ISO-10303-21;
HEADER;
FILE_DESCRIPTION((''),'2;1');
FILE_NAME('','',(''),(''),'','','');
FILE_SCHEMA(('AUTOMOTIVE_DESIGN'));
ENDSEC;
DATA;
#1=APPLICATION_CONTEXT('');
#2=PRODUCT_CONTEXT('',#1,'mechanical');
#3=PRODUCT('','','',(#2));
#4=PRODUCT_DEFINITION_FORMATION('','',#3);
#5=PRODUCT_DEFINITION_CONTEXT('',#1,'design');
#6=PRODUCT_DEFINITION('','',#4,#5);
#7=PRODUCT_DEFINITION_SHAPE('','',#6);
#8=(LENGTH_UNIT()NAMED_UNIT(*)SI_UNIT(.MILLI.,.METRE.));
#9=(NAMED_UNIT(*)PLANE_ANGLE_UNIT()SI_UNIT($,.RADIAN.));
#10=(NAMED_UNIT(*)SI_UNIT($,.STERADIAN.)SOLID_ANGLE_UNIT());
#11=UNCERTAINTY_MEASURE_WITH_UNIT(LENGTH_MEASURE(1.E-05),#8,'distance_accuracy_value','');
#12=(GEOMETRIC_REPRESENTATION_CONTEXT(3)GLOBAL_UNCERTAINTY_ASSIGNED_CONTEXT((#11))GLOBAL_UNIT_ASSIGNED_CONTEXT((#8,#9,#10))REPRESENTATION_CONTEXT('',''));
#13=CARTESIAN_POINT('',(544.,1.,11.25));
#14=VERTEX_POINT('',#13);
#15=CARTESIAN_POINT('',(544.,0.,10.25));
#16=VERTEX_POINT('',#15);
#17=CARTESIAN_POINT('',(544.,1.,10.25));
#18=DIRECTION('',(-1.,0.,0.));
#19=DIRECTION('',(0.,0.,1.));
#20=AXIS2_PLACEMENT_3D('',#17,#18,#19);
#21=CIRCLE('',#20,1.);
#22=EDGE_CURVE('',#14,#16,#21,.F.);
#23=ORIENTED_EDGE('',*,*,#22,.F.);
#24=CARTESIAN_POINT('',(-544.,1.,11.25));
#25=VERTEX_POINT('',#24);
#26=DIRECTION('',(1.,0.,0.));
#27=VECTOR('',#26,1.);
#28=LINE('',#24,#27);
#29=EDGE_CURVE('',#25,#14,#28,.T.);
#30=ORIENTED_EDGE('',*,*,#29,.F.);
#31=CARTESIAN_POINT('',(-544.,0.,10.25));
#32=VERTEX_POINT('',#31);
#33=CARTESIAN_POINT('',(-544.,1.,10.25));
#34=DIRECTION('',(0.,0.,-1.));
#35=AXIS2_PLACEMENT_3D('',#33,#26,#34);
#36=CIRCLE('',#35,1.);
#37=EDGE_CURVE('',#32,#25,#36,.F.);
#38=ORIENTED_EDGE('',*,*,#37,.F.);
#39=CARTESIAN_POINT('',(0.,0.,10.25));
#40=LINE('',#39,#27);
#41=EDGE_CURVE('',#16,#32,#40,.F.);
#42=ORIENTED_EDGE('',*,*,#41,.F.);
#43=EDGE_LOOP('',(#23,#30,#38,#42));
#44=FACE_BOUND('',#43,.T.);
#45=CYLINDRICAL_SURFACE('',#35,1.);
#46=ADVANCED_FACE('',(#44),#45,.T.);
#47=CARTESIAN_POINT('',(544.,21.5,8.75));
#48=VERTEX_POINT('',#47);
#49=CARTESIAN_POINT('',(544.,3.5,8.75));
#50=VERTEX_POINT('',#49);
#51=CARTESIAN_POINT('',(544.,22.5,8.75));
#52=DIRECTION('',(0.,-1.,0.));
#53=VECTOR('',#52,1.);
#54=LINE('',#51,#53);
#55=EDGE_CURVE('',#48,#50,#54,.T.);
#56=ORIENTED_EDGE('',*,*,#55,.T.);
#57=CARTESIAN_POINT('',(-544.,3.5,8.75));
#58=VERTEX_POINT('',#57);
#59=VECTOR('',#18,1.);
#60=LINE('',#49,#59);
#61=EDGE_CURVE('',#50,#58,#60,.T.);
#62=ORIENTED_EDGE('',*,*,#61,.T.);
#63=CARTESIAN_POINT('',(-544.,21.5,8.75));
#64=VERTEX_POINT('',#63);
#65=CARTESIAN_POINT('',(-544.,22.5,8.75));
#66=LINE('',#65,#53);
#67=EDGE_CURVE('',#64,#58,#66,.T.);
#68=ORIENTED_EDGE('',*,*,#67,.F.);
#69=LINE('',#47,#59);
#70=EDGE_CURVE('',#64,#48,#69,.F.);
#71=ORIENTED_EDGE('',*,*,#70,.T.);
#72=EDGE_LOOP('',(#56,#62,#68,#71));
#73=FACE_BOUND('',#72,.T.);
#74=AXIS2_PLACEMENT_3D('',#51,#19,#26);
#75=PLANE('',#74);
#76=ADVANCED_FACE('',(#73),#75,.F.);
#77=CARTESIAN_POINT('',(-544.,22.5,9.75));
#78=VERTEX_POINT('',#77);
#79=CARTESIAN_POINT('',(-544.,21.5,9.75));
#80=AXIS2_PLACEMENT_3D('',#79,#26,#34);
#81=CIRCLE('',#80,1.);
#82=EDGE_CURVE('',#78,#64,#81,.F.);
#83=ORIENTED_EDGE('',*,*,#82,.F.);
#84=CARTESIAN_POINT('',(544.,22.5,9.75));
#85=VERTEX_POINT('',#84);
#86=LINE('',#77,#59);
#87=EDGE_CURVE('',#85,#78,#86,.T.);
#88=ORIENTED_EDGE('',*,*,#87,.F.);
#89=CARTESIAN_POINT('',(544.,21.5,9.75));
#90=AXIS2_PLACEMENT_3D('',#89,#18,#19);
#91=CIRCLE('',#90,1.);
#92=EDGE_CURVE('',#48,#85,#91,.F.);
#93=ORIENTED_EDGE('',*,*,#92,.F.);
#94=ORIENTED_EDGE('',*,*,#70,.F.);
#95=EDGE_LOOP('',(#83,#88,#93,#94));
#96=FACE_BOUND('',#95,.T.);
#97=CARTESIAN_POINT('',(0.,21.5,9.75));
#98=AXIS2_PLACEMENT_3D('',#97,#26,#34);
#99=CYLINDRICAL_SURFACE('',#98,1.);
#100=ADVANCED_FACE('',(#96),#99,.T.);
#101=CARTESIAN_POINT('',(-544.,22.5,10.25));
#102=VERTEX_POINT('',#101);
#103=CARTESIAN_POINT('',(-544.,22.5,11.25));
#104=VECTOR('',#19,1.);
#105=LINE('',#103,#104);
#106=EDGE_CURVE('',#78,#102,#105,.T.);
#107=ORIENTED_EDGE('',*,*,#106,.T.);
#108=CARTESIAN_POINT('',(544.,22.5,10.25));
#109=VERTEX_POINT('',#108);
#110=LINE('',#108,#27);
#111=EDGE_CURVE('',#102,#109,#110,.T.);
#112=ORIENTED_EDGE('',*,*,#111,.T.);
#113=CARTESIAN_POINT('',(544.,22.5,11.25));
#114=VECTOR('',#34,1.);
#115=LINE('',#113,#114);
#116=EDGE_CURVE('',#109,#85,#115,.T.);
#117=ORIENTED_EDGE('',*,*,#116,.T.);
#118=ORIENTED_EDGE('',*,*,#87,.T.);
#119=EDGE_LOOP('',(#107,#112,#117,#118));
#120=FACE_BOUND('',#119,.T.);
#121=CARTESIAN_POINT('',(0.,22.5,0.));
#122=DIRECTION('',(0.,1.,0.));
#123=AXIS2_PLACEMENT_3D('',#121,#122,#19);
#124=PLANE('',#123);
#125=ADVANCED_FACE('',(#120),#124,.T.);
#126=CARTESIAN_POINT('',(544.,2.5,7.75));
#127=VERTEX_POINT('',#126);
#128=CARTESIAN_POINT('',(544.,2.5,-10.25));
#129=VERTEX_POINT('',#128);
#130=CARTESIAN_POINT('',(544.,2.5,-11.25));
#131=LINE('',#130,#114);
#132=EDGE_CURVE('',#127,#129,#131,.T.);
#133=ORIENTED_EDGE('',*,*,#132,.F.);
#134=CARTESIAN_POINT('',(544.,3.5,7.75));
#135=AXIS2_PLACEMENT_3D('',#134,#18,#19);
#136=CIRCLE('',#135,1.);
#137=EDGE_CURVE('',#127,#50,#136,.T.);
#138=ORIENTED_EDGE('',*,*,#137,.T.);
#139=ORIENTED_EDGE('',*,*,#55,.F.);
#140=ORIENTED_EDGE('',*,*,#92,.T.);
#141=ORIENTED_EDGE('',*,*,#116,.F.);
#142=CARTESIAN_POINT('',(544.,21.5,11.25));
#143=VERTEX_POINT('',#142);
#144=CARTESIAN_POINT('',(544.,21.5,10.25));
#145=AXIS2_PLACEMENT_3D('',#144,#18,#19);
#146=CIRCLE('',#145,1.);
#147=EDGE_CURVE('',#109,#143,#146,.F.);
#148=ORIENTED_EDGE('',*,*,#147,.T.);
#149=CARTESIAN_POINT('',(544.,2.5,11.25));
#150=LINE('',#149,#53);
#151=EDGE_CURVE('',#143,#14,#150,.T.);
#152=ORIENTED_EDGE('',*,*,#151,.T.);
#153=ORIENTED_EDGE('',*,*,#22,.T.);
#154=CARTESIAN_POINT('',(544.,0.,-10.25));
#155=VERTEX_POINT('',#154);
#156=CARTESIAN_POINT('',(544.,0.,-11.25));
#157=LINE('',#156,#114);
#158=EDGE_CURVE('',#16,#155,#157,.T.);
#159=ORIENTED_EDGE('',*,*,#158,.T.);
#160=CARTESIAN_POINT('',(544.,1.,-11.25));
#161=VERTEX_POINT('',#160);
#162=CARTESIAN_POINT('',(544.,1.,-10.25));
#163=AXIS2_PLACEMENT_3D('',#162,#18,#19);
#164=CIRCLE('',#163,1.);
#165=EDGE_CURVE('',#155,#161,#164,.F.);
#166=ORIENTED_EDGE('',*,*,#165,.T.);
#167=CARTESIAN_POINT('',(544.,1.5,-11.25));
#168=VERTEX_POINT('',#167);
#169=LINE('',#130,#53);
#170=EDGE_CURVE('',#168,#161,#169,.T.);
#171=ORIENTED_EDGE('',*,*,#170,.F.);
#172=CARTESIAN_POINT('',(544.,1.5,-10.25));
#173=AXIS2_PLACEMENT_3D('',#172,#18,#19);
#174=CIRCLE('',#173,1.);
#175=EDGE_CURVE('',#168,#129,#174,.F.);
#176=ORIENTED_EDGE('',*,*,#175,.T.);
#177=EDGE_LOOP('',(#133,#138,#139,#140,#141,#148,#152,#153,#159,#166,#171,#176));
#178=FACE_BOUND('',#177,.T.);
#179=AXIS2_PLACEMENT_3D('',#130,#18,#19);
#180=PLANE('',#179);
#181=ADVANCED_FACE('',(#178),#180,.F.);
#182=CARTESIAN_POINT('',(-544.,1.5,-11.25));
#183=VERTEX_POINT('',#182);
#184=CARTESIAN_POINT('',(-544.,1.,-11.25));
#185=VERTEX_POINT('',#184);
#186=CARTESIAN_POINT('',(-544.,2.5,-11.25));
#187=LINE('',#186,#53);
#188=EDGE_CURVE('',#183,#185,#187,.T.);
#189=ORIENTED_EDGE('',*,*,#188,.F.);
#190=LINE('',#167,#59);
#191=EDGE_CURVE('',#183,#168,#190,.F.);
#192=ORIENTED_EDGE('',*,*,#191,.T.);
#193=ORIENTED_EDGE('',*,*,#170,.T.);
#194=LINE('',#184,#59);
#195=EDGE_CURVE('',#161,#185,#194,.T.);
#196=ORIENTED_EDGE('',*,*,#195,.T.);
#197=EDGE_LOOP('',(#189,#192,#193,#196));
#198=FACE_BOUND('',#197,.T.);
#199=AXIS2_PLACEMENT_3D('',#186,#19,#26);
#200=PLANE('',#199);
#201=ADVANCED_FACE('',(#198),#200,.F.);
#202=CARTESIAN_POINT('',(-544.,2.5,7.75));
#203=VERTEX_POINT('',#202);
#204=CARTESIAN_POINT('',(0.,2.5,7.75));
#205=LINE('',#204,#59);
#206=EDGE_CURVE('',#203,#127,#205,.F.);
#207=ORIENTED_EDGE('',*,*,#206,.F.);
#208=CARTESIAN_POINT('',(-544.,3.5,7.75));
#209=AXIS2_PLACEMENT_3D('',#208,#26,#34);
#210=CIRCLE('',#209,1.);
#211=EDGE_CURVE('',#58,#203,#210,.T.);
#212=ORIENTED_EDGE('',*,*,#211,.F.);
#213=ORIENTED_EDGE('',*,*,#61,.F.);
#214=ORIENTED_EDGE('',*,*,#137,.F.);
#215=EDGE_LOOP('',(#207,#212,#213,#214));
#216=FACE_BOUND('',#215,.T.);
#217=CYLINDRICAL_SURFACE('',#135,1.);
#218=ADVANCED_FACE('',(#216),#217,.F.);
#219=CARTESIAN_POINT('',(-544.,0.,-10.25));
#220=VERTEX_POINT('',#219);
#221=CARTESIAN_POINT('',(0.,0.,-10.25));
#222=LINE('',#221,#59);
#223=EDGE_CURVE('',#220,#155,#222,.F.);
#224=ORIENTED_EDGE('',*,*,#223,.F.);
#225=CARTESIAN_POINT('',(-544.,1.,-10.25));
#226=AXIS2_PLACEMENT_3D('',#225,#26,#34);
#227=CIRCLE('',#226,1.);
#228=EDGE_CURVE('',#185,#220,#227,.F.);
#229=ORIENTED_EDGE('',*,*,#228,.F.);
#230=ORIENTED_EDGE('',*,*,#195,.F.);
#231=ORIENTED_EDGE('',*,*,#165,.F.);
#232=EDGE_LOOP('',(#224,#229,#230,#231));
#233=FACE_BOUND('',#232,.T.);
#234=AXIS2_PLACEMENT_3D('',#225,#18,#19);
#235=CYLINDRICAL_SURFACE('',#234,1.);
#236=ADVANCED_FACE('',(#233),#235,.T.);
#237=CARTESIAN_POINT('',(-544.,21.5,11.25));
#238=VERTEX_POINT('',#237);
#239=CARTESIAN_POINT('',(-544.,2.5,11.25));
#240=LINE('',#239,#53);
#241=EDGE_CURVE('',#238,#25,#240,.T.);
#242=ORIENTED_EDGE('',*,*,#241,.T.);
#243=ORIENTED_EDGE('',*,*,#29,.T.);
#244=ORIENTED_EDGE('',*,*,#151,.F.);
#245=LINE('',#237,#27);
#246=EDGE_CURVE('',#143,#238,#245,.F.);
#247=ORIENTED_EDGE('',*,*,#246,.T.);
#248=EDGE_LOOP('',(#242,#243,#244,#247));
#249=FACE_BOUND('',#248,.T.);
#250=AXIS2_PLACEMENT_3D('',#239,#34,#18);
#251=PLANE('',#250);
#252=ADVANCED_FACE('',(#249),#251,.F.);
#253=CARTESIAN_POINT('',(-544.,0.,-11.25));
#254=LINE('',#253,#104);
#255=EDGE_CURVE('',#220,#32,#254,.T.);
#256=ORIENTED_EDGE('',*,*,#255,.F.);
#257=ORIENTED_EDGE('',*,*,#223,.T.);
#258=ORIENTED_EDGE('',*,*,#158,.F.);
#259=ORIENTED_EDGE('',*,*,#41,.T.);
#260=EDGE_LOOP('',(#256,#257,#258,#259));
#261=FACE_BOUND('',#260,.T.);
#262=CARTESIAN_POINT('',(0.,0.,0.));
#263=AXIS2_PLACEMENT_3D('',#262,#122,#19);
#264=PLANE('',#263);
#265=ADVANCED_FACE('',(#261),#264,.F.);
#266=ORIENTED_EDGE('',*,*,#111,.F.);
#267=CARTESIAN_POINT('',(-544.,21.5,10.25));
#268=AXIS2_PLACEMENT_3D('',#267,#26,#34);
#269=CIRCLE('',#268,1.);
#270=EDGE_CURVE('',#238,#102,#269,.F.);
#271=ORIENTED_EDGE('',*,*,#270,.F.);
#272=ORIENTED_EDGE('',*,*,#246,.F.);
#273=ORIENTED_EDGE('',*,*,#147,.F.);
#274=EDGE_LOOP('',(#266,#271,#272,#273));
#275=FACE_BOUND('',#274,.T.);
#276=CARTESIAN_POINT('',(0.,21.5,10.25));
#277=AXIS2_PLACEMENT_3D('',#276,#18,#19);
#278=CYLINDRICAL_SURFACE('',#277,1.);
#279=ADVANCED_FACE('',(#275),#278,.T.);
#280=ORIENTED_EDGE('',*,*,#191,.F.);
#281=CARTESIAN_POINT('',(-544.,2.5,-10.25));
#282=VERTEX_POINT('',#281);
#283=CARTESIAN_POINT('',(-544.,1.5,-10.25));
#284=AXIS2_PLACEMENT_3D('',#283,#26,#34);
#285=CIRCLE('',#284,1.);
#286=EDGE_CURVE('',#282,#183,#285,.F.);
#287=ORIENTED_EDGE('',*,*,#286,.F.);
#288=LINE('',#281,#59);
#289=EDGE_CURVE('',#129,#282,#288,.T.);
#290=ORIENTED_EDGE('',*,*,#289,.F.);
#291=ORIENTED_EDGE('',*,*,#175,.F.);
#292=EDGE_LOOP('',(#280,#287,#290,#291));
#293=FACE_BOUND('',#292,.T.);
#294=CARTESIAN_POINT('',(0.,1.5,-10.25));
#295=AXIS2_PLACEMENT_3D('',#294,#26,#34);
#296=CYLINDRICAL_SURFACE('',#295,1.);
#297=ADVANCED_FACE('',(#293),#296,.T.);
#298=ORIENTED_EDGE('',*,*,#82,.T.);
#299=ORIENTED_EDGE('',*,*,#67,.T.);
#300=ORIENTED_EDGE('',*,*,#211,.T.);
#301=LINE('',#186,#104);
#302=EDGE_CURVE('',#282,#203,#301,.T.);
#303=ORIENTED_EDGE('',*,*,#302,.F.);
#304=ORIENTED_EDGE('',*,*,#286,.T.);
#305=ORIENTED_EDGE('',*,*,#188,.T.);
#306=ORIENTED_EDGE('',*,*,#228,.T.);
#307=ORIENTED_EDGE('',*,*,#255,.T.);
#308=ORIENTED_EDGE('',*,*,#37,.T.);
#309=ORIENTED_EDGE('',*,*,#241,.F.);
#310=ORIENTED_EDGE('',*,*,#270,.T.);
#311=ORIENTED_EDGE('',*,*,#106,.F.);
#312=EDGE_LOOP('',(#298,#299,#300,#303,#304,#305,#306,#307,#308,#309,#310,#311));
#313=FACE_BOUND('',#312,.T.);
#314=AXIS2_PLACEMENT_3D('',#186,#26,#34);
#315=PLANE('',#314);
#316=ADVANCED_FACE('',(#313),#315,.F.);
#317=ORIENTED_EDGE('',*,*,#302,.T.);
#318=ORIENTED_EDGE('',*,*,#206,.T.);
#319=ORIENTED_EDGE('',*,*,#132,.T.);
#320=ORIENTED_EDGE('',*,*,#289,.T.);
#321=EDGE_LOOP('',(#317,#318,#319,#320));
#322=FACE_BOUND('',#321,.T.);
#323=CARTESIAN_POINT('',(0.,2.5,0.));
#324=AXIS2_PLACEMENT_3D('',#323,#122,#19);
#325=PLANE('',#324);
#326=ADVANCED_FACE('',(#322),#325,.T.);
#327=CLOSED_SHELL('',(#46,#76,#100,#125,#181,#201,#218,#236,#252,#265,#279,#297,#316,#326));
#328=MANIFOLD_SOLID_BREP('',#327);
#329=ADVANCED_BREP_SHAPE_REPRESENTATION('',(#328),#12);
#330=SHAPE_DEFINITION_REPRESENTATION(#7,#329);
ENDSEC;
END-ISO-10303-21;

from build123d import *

# Parameters (mm, degrees)
SKETCH1_W           = 1088
SKETCH1_H           = 22.5
BOSS_EXTRUDE1_DEPTH = 2.5
SKETCH2_W           = 1088
SKETCH2_H           = 2.5
BOSS_EXTRUDE2_DEPTH = 20
FILLET1_R           = 1


with BuildPart() as part:
    # Sketch1 → Boss-Extrude1 (new body)
    with BuildSketch(Plane(origin=(0, 0, 0), x_dir=(1, 0, 0), z_dir=(0, 1, 0))):
        Rectangle(SKETCH1_W, SKETCH1_H)
    extrude(amount=BOSS_EXTRUDE1_DEPTH)

    # Sketch2 → Boss-Extrude2 (add)
    with BuildSketch(Plane(origin=(0, 2.5, 0), x_dir=(1, 0, 0), z_dir=(0, 1, 0))):
        with Locations((0, -10)):
            Rectangle(SKETCH2_W, SKETCH2_H)
    extrude(amount=BOSS_EXTRUDE2_DEPTH)

    # Fillet1
    fillet1_edges = [part.edges().sort_by_distance(p)[0] for p in [
        (0, 2.5, 8.75),
        (0, 22.5, 8.75),
        (0, 22.5, 11.25),
        (0, 0, 11.25),
        (0, 0, -11.25),
        (0, 2.5, -11.25),
    ]]
    fillet(fillet1_edges, radius=FILLET1_R)


solid = part.part
